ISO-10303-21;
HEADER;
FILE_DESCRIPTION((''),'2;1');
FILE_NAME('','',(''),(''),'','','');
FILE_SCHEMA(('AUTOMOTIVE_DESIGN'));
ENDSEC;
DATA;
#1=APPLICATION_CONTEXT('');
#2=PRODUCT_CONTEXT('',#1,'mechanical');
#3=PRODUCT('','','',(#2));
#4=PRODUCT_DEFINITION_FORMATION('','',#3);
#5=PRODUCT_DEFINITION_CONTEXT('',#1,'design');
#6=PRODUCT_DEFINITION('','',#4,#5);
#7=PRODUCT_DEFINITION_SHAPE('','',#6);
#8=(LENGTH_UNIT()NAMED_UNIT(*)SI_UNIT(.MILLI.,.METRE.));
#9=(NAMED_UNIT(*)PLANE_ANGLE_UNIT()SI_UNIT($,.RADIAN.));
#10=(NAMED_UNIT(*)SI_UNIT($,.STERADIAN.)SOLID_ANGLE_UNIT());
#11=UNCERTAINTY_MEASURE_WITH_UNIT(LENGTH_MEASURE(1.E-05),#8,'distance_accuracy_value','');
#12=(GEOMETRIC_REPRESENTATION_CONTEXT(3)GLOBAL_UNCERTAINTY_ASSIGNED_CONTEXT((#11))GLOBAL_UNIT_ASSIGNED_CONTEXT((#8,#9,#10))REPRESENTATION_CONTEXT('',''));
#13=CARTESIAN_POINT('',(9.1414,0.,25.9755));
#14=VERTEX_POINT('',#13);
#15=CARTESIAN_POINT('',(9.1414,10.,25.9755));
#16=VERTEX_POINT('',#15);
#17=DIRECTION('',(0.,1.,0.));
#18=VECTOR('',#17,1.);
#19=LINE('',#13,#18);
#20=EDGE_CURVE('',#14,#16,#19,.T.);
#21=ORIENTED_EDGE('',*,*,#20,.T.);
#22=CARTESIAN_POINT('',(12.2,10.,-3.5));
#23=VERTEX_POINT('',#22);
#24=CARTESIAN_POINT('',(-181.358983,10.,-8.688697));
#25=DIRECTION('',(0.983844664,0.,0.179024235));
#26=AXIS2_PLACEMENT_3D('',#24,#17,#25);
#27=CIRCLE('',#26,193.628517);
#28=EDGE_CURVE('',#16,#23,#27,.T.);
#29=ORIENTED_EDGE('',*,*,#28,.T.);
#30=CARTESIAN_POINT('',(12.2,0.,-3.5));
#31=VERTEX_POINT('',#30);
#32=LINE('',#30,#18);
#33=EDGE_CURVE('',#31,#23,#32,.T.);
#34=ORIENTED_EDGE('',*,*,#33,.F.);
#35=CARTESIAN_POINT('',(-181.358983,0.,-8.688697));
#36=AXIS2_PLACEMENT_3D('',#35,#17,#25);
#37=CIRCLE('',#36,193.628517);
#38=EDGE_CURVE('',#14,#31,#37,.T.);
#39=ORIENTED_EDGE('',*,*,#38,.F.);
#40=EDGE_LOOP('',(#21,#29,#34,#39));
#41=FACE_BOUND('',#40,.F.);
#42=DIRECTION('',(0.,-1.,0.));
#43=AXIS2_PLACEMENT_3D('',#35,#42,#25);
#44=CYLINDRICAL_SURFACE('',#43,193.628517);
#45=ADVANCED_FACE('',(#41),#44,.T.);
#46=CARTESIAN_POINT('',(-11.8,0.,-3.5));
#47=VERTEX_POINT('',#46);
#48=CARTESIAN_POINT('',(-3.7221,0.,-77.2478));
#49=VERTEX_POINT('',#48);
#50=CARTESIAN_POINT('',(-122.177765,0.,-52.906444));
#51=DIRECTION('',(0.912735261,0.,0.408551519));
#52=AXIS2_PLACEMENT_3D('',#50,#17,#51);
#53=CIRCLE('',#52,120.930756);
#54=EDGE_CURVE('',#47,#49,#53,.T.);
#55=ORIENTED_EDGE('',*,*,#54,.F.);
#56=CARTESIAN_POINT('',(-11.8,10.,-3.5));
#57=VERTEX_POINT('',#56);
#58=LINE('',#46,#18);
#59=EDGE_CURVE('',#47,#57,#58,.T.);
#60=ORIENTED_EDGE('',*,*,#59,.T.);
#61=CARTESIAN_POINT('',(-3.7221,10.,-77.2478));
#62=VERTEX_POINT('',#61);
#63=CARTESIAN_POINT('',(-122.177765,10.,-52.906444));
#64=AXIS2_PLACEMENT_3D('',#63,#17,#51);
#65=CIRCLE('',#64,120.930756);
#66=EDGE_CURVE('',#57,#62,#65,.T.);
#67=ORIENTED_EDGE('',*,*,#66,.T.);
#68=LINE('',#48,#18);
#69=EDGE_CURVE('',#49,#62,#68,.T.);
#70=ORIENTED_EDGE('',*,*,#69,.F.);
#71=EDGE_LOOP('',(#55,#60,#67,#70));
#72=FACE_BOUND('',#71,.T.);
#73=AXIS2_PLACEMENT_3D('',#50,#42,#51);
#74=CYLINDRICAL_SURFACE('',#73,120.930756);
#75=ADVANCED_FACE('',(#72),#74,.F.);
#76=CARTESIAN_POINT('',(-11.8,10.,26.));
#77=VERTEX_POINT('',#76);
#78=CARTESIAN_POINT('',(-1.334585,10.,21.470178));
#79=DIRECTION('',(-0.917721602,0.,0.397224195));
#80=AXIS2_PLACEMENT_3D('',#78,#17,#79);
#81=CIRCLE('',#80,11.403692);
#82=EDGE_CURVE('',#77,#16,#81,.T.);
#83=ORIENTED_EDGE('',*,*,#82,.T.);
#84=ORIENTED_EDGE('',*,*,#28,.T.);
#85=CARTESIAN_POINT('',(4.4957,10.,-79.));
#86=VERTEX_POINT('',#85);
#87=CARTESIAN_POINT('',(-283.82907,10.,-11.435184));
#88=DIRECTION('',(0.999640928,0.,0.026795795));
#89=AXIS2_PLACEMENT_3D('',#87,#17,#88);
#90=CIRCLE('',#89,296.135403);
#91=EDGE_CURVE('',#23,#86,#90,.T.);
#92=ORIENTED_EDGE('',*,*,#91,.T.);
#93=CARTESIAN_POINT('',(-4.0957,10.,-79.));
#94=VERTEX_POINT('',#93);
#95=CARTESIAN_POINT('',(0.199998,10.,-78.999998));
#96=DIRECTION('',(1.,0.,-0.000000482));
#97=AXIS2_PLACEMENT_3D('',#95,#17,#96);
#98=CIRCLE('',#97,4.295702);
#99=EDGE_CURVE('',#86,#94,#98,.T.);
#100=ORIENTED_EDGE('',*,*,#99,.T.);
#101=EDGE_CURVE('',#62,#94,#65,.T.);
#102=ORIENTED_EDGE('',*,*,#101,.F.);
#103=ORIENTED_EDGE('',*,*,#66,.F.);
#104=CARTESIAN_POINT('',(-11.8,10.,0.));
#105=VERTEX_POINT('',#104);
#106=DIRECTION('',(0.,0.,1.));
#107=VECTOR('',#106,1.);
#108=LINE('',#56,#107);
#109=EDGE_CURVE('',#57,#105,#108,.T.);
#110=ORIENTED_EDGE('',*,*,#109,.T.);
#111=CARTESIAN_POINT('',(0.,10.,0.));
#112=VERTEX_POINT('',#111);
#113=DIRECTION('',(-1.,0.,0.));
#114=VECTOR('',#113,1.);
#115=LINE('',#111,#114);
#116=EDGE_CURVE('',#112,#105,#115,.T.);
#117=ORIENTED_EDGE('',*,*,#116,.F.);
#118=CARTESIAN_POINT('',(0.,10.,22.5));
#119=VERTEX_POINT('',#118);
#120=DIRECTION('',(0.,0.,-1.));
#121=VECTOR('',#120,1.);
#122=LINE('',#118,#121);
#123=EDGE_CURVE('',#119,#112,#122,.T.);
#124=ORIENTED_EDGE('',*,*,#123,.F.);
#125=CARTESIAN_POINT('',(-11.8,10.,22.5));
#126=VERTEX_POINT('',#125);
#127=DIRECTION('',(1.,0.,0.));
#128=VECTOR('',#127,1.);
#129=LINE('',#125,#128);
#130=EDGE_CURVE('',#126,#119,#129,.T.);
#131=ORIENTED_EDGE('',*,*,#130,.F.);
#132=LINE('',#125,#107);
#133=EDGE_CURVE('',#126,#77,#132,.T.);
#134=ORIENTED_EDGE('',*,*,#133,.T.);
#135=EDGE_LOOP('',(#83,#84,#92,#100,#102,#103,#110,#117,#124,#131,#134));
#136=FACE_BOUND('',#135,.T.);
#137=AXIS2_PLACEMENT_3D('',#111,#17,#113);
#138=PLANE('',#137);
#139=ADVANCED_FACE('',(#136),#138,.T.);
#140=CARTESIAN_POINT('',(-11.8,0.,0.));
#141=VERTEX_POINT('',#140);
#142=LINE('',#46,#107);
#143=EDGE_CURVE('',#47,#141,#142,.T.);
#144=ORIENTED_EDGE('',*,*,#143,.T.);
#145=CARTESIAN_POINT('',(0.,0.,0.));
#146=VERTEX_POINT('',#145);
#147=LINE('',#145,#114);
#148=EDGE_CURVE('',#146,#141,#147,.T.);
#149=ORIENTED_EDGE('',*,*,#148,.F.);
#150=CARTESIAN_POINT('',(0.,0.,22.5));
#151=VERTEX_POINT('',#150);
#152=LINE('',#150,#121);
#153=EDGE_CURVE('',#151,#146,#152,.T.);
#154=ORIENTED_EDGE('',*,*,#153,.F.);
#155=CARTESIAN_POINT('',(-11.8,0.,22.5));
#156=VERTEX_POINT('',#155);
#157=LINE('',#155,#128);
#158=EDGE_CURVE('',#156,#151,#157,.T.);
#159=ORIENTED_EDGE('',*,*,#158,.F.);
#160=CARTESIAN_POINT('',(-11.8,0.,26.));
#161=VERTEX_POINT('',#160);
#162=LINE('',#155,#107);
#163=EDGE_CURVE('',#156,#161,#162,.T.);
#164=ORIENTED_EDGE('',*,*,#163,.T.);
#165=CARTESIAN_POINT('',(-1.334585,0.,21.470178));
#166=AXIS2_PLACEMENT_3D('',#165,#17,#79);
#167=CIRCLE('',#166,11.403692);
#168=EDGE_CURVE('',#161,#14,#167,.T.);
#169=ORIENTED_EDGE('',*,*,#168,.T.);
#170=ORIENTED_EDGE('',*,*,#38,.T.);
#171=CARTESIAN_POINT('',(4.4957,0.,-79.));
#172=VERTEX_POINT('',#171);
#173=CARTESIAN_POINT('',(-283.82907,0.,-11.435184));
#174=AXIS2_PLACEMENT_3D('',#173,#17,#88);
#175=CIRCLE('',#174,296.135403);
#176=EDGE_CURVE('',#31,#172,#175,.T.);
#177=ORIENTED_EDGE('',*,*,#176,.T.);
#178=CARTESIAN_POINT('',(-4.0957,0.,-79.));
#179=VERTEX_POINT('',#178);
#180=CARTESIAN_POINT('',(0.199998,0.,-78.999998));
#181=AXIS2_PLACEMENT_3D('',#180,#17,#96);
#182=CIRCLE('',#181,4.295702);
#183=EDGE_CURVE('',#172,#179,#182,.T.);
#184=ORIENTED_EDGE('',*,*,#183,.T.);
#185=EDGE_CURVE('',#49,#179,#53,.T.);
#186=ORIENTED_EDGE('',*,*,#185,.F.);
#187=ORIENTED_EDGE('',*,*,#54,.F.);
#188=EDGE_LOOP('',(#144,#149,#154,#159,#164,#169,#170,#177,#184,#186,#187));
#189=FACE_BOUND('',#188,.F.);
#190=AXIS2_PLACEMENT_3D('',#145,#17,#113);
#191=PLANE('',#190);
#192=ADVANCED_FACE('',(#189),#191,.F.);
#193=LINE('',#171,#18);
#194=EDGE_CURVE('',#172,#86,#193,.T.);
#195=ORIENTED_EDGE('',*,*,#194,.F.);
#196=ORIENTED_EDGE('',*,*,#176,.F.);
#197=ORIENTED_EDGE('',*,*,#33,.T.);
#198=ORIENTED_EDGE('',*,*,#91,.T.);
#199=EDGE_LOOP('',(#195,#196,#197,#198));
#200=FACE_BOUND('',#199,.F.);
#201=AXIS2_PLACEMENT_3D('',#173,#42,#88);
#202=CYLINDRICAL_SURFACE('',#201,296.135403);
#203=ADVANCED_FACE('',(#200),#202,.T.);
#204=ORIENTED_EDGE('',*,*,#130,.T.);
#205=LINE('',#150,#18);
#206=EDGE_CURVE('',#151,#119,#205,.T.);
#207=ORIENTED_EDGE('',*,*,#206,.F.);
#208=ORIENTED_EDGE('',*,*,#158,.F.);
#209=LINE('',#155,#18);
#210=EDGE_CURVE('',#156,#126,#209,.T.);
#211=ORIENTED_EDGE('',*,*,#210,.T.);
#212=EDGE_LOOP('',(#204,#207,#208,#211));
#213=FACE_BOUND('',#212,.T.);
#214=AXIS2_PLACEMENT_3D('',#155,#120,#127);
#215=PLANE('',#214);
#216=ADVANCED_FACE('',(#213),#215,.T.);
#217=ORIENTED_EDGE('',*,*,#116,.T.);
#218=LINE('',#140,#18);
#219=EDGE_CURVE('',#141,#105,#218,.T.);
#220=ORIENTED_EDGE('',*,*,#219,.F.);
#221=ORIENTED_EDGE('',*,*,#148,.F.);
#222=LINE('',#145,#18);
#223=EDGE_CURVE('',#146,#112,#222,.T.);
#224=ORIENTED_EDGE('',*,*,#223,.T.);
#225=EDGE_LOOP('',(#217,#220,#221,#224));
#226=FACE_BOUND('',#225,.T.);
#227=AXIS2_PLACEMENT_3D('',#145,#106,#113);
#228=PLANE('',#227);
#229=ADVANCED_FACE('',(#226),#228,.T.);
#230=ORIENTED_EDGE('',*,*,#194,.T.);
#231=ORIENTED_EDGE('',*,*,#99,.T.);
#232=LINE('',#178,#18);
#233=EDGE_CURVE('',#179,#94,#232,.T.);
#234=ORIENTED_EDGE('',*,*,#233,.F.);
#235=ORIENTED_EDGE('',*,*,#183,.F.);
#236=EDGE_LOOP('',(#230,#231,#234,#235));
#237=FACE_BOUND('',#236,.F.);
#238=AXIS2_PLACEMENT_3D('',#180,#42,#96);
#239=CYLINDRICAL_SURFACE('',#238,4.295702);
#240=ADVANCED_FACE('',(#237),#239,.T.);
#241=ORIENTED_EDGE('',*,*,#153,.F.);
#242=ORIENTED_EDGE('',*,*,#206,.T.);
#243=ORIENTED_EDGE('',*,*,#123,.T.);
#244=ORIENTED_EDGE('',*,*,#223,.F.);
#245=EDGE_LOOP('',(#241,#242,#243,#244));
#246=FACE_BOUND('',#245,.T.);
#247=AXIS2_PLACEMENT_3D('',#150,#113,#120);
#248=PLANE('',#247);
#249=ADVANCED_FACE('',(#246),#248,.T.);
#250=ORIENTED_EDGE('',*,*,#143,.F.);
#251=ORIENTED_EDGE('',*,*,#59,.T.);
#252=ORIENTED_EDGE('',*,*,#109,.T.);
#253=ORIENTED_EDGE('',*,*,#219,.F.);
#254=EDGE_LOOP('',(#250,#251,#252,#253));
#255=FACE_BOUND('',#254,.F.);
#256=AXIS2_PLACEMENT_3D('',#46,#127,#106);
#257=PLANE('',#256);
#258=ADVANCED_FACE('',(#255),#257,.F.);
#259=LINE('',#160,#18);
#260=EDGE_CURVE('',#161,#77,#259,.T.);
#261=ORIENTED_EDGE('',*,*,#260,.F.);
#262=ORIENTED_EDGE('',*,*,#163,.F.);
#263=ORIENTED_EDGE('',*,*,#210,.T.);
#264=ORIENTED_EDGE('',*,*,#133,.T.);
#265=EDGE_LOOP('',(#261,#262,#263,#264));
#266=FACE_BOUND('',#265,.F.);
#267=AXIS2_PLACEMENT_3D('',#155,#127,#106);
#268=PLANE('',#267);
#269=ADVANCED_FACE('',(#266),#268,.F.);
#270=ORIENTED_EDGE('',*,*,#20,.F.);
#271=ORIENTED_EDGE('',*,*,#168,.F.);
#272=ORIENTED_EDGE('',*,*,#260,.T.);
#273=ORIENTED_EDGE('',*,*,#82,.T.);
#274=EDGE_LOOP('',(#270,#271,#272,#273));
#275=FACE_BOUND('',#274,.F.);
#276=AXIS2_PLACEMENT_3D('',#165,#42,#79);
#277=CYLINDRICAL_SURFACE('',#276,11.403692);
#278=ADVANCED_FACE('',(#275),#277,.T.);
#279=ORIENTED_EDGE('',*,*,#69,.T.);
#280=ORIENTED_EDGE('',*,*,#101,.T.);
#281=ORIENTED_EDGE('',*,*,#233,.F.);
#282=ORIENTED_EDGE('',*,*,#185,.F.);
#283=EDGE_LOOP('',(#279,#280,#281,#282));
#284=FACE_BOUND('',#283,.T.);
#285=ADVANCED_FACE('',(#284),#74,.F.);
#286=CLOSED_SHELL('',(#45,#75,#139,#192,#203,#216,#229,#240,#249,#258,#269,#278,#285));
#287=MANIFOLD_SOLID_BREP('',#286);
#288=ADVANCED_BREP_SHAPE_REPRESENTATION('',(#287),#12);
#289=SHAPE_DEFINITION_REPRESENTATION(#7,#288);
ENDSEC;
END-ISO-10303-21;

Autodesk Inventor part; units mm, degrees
ref_plane "YZ Plane" through (0, 0, 0) normal (1, 0, 0) x (0, 1, 0)
ref_plane "XZ Plane" through (0, 0, 0) normal (0, 1, 0) x (-1, 0, 0)
ref_plane "XY Plane" through (0, 0, 0) normal (0, 0, 1) x (1, 0, 0)
sketch "Sketch2" plane through (0, 0, 0) normal (0, 1, 0) x (-1, 0, 0)
  line L0 (0, 0) -> (11.8, 0)
  line L1 (11.8, 16.9404) -> (11.8, 22.5)
  line L2 (11.8, 22.5) -> (0, 22.5)
  line L3 (0, 22.5) -> (0, 0)
  arc A0 (-9.1414, 25.9755) -> (-12.2, -3.5) centre (181.3562, -8.6883) ccw
  arc A1 (11.8, 26) -> (-9.1414, 25.9755) centre (1.3346, 21.4702) ccw
  arc A2 (-4.4957, -79) -> (3.7221, -77.2478) centre (-0.2, -79) ccw
  arc A3 (-12.2, -3.5) -> (-4.4957, -79) centre (283.8313, -11.4351) ccw
  arc A4 (11.8, -3.5) -> (4.0957, -79) centre (122.1776, -52.9064) ccw
  line L4 (11.8, -3.5) -> (11.8, 0)
  line L5 (11.8, 22.5) -> (11.8, 26)
  dimension "d2" = 11.8
  dimension "d3" = 22.5
extrude "Extrusion1" add sketch "Sketch2" along normal blind 10 contours L0 L4 A4 A2 A3 A0 A1 L5 L2 L3
properties part number "leg"
